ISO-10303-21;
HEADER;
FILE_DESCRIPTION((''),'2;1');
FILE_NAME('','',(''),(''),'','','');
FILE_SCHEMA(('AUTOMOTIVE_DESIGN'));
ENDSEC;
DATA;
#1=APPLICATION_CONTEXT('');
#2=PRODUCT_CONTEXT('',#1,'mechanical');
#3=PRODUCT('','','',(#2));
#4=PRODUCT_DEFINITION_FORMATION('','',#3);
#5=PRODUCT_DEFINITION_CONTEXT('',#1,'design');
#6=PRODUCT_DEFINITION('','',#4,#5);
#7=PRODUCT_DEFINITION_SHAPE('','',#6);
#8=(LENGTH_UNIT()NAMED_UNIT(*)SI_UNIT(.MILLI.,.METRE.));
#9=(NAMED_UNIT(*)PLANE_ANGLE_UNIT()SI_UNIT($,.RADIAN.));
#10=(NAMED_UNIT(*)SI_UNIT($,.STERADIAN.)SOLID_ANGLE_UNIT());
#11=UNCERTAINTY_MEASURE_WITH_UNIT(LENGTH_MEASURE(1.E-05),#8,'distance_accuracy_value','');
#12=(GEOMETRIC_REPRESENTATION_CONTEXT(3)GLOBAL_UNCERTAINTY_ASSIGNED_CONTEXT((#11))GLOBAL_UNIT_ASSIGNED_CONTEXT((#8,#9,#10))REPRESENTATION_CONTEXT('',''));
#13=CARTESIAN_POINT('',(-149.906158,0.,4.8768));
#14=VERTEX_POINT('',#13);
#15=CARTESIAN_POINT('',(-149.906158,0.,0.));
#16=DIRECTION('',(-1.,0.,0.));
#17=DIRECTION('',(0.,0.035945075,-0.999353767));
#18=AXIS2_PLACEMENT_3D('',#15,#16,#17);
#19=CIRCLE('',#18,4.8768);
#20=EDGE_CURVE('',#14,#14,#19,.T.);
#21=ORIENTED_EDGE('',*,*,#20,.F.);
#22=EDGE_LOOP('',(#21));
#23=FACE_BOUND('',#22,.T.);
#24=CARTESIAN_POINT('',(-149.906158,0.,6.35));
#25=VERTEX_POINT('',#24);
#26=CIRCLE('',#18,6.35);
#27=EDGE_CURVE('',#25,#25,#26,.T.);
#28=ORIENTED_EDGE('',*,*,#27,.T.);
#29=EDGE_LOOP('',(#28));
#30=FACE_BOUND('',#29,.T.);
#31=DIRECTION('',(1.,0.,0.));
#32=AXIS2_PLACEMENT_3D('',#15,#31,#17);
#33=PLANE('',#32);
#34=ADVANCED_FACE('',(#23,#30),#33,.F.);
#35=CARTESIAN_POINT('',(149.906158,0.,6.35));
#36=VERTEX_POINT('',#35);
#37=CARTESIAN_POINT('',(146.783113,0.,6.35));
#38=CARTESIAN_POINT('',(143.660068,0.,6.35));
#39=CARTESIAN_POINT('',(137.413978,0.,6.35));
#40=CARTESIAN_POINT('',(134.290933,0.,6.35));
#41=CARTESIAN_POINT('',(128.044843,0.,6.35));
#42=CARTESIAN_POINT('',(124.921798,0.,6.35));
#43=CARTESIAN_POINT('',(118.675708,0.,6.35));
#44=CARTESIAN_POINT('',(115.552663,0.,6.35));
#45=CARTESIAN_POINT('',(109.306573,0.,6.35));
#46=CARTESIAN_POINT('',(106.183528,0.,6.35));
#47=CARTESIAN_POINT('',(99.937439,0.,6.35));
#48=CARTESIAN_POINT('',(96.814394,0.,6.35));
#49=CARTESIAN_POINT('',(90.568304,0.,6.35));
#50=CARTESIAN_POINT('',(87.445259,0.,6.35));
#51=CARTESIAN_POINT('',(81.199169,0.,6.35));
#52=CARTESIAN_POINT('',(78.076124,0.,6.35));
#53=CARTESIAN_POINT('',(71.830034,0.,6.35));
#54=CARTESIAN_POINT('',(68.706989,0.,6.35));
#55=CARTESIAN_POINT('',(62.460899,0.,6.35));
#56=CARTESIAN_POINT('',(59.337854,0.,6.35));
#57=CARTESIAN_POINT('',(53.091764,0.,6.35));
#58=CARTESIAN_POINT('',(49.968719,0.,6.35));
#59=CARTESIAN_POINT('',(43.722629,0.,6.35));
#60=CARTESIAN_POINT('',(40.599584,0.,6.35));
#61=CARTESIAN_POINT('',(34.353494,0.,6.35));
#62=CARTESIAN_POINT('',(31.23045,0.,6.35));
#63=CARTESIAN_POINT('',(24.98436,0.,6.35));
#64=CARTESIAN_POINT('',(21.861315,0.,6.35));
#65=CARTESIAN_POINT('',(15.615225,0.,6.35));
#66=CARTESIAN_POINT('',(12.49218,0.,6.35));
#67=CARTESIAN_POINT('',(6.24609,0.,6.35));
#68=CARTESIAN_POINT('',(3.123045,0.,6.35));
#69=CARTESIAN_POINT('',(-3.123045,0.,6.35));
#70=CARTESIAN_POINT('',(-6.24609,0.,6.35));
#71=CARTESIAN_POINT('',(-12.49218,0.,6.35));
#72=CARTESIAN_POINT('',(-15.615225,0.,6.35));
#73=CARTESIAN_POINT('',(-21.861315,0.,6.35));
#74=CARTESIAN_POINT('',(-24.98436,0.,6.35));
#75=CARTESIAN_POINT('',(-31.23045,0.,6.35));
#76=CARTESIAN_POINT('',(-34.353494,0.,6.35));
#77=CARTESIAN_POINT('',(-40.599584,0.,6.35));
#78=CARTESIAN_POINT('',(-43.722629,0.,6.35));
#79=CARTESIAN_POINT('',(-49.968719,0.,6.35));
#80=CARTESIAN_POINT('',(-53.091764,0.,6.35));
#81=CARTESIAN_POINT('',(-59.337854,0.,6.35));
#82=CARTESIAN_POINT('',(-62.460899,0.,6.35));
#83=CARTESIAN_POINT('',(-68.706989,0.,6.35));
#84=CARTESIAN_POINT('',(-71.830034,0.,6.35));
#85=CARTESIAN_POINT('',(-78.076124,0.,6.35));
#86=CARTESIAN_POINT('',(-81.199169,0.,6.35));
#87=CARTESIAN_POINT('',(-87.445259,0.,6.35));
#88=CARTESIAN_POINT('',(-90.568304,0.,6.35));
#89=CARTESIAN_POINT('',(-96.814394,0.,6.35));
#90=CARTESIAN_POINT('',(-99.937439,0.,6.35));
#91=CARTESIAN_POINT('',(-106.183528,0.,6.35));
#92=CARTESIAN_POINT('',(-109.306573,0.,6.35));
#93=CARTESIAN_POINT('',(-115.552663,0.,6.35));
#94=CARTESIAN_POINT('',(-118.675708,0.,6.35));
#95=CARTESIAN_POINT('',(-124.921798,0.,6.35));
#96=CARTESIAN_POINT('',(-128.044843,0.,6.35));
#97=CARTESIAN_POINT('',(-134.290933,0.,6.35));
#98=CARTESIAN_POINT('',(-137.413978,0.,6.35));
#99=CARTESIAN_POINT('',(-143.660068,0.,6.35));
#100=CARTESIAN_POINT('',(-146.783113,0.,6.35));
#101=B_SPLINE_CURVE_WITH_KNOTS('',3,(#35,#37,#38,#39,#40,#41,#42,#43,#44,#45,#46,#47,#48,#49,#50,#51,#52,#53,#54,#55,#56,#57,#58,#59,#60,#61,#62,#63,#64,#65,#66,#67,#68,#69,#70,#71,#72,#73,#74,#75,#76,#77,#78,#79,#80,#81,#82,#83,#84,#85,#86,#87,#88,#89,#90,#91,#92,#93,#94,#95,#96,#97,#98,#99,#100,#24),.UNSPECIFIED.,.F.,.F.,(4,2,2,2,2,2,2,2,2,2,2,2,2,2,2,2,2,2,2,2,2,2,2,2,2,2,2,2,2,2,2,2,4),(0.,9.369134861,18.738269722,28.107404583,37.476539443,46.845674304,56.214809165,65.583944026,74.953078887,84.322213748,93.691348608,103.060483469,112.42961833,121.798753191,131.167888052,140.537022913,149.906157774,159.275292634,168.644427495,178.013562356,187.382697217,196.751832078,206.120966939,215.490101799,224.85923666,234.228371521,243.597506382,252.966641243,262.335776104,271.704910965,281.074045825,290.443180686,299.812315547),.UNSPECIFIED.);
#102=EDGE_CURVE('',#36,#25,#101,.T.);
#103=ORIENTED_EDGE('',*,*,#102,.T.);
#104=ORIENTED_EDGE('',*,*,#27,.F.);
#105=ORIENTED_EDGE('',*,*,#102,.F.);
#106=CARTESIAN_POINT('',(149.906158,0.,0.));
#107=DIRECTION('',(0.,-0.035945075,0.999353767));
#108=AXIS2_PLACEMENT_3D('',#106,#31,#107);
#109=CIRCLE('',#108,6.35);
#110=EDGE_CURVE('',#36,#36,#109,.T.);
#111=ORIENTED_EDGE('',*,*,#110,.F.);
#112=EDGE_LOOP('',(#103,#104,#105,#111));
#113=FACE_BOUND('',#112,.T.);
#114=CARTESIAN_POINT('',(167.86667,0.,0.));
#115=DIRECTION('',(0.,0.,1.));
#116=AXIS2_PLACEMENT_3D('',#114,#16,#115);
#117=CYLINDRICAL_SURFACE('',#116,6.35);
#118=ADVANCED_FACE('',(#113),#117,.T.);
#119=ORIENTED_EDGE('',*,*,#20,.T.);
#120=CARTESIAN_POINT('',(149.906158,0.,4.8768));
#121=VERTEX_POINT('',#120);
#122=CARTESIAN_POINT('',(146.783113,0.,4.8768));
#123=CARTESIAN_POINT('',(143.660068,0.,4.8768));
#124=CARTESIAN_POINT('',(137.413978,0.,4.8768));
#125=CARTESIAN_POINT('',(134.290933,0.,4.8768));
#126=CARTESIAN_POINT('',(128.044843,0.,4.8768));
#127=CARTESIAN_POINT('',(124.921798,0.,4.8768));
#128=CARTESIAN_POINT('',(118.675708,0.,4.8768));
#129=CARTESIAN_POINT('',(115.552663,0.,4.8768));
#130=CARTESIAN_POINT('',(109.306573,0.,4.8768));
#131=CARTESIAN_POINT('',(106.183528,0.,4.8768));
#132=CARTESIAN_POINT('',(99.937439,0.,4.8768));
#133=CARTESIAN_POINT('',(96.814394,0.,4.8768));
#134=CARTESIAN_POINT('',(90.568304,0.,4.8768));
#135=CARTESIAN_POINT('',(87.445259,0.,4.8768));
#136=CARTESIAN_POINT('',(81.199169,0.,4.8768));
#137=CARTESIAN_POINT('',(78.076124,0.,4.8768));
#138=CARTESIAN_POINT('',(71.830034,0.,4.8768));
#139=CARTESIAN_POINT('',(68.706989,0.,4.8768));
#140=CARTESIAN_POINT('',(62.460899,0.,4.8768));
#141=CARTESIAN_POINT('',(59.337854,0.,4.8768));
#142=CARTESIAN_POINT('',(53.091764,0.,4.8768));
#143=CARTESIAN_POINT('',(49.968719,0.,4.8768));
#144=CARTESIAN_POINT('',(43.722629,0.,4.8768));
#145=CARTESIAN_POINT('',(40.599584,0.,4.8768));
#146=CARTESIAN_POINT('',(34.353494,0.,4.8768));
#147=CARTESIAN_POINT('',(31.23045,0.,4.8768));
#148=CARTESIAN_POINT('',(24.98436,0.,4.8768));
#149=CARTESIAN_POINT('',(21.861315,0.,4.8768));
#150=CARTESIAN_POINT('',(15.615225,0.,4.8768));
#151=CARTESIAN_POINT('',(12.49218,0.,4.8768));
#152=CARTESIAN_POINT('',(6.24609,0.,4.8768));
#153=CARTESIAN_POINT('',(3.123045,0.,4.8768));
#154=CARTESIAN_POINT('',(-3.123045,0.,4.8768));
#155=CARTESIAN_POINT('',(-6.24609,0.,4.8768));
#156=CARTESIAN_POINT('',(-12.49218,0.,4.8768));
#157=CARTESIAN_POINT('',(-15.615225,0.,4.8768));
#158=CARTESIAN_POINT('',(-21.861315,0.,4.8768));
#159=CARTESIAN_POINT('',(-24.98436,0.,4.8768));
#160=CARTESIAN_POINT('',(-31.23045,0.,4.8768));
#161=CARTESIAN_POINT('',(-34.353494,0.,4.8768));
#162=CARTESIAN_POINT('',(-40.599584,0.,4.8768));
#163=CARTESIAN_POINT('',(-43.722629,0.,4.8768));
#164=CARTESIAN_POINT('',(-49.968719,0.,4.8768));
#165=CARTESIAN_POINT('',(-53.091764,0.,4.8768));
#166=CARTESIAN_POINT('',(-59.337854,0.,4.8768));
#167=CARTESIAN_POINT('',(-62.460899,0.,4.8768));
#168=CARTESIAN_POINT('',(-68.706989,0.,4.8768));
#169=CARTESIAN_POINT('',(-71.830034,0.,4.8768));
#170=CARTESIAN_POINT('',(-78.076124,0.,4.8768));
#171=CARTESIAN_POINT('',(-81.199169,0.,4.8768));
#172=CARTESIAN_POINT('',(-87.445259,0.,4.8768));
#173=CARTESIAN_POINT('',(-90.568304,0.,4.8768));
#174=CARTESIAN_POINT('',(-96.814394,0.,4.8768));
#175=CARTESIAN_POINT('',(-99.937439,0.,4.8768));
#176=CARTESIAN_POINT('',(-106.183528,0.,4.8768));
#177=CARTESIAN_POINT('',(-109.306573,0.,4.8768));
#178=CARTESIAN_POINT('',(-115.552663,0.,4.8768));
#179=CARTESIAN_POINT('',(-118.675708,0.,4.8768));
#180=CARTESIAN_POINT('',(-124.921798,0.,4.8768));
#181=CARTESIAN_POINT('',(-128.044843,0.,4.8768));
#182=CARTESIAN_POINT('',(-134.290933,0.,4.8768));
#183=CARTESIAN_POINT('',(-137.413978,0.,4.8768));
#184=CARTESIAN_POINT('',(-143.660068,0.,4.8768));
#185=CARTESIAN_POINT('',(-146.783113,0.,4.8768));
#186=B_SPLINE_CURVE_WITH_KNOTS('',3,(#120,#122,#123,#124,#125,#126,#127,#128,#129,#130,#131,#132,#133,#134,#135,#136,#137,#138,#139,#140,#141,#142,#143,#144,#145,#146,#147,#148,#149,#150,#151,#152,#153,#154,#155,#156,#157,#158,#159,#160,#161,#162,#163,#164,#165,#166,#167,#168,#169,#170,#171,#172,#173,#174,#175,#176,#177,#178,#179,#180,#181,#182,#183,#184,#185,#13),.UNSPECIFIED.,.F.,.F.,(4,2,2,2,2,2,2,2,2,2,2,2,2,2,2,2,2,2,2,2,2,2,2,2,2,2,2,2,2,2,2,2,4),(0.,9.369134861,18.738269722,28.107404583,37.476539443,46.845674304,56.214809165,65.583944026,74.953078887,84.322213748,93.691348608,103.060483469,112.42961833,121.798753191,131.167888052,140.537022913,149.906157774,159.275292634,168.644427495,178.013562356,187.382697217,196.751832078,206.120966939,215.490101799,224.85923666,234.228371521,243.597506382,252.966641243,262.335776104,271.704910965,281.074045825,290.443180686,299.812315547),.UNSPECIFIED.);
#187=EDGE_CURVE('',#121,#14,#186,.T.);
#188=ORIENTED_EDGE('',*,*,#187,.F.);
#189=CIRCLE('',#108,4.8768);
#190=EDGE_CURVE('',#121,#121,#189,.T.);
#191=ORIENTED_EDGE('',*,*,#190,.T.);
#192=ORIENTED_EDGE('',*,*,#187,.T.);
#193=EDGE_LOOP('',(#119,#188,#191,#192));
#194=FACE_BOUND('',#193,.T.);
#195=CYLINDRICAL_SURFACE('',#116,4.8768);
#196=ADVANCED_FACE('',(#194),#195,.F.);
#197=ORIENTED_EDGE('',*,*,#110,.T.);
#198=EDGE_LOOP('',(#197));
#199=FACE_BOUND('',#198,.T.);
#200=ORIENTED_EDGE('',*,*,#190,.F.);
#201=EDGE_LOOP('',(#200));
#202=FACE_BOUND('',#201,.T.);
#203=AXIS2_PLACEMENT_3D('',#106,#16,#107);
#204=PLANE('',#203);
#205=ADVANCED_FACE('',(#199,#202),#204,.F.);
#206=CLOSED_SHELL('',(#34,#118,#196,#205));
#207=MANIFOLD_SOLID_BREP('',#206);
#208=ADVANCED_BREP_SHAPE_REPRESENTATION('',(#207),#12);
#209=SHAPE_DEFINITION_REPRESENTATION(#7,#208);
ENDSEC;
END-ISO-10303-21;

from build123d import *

# Parameters (mm, degrees)
BOSS_EXTRUDE1_DEPTH      = 149.906158
BOSS_EXTRUDE1_DEPTH_BACK = 149.906158
SKETCH1_R                = 6.35
SKETCH1_R_2              = 4.8768


with BuildPart() as part:
    # Sketch1 → Boss-Extrude1 (new, two sides: drawn at the far end of the back side and taken through both)
    with BuildSketch(Plane(origin=(0, 0, 0), x_dir=(0, 0, -1), z_dir=(1, 0, 0)).offset(-BOSS_EXTRUDE1_DEPTH_BACK)):
        with Locations(Location((0, 0, 0), (0, 0, 180))):
            Circle(SKETCH1_R)
        with Locations(Location((0, 0, 0), (0, 0, 180))):
            Circle(SKETCH1_R_2, mode=Mode.SUBTRACT)
    extrude(amount=BOSS_EXTRUDE1_DEPTH + BOSS_EXTRUDE1_DEPTH_BACK)


solid = part.part
